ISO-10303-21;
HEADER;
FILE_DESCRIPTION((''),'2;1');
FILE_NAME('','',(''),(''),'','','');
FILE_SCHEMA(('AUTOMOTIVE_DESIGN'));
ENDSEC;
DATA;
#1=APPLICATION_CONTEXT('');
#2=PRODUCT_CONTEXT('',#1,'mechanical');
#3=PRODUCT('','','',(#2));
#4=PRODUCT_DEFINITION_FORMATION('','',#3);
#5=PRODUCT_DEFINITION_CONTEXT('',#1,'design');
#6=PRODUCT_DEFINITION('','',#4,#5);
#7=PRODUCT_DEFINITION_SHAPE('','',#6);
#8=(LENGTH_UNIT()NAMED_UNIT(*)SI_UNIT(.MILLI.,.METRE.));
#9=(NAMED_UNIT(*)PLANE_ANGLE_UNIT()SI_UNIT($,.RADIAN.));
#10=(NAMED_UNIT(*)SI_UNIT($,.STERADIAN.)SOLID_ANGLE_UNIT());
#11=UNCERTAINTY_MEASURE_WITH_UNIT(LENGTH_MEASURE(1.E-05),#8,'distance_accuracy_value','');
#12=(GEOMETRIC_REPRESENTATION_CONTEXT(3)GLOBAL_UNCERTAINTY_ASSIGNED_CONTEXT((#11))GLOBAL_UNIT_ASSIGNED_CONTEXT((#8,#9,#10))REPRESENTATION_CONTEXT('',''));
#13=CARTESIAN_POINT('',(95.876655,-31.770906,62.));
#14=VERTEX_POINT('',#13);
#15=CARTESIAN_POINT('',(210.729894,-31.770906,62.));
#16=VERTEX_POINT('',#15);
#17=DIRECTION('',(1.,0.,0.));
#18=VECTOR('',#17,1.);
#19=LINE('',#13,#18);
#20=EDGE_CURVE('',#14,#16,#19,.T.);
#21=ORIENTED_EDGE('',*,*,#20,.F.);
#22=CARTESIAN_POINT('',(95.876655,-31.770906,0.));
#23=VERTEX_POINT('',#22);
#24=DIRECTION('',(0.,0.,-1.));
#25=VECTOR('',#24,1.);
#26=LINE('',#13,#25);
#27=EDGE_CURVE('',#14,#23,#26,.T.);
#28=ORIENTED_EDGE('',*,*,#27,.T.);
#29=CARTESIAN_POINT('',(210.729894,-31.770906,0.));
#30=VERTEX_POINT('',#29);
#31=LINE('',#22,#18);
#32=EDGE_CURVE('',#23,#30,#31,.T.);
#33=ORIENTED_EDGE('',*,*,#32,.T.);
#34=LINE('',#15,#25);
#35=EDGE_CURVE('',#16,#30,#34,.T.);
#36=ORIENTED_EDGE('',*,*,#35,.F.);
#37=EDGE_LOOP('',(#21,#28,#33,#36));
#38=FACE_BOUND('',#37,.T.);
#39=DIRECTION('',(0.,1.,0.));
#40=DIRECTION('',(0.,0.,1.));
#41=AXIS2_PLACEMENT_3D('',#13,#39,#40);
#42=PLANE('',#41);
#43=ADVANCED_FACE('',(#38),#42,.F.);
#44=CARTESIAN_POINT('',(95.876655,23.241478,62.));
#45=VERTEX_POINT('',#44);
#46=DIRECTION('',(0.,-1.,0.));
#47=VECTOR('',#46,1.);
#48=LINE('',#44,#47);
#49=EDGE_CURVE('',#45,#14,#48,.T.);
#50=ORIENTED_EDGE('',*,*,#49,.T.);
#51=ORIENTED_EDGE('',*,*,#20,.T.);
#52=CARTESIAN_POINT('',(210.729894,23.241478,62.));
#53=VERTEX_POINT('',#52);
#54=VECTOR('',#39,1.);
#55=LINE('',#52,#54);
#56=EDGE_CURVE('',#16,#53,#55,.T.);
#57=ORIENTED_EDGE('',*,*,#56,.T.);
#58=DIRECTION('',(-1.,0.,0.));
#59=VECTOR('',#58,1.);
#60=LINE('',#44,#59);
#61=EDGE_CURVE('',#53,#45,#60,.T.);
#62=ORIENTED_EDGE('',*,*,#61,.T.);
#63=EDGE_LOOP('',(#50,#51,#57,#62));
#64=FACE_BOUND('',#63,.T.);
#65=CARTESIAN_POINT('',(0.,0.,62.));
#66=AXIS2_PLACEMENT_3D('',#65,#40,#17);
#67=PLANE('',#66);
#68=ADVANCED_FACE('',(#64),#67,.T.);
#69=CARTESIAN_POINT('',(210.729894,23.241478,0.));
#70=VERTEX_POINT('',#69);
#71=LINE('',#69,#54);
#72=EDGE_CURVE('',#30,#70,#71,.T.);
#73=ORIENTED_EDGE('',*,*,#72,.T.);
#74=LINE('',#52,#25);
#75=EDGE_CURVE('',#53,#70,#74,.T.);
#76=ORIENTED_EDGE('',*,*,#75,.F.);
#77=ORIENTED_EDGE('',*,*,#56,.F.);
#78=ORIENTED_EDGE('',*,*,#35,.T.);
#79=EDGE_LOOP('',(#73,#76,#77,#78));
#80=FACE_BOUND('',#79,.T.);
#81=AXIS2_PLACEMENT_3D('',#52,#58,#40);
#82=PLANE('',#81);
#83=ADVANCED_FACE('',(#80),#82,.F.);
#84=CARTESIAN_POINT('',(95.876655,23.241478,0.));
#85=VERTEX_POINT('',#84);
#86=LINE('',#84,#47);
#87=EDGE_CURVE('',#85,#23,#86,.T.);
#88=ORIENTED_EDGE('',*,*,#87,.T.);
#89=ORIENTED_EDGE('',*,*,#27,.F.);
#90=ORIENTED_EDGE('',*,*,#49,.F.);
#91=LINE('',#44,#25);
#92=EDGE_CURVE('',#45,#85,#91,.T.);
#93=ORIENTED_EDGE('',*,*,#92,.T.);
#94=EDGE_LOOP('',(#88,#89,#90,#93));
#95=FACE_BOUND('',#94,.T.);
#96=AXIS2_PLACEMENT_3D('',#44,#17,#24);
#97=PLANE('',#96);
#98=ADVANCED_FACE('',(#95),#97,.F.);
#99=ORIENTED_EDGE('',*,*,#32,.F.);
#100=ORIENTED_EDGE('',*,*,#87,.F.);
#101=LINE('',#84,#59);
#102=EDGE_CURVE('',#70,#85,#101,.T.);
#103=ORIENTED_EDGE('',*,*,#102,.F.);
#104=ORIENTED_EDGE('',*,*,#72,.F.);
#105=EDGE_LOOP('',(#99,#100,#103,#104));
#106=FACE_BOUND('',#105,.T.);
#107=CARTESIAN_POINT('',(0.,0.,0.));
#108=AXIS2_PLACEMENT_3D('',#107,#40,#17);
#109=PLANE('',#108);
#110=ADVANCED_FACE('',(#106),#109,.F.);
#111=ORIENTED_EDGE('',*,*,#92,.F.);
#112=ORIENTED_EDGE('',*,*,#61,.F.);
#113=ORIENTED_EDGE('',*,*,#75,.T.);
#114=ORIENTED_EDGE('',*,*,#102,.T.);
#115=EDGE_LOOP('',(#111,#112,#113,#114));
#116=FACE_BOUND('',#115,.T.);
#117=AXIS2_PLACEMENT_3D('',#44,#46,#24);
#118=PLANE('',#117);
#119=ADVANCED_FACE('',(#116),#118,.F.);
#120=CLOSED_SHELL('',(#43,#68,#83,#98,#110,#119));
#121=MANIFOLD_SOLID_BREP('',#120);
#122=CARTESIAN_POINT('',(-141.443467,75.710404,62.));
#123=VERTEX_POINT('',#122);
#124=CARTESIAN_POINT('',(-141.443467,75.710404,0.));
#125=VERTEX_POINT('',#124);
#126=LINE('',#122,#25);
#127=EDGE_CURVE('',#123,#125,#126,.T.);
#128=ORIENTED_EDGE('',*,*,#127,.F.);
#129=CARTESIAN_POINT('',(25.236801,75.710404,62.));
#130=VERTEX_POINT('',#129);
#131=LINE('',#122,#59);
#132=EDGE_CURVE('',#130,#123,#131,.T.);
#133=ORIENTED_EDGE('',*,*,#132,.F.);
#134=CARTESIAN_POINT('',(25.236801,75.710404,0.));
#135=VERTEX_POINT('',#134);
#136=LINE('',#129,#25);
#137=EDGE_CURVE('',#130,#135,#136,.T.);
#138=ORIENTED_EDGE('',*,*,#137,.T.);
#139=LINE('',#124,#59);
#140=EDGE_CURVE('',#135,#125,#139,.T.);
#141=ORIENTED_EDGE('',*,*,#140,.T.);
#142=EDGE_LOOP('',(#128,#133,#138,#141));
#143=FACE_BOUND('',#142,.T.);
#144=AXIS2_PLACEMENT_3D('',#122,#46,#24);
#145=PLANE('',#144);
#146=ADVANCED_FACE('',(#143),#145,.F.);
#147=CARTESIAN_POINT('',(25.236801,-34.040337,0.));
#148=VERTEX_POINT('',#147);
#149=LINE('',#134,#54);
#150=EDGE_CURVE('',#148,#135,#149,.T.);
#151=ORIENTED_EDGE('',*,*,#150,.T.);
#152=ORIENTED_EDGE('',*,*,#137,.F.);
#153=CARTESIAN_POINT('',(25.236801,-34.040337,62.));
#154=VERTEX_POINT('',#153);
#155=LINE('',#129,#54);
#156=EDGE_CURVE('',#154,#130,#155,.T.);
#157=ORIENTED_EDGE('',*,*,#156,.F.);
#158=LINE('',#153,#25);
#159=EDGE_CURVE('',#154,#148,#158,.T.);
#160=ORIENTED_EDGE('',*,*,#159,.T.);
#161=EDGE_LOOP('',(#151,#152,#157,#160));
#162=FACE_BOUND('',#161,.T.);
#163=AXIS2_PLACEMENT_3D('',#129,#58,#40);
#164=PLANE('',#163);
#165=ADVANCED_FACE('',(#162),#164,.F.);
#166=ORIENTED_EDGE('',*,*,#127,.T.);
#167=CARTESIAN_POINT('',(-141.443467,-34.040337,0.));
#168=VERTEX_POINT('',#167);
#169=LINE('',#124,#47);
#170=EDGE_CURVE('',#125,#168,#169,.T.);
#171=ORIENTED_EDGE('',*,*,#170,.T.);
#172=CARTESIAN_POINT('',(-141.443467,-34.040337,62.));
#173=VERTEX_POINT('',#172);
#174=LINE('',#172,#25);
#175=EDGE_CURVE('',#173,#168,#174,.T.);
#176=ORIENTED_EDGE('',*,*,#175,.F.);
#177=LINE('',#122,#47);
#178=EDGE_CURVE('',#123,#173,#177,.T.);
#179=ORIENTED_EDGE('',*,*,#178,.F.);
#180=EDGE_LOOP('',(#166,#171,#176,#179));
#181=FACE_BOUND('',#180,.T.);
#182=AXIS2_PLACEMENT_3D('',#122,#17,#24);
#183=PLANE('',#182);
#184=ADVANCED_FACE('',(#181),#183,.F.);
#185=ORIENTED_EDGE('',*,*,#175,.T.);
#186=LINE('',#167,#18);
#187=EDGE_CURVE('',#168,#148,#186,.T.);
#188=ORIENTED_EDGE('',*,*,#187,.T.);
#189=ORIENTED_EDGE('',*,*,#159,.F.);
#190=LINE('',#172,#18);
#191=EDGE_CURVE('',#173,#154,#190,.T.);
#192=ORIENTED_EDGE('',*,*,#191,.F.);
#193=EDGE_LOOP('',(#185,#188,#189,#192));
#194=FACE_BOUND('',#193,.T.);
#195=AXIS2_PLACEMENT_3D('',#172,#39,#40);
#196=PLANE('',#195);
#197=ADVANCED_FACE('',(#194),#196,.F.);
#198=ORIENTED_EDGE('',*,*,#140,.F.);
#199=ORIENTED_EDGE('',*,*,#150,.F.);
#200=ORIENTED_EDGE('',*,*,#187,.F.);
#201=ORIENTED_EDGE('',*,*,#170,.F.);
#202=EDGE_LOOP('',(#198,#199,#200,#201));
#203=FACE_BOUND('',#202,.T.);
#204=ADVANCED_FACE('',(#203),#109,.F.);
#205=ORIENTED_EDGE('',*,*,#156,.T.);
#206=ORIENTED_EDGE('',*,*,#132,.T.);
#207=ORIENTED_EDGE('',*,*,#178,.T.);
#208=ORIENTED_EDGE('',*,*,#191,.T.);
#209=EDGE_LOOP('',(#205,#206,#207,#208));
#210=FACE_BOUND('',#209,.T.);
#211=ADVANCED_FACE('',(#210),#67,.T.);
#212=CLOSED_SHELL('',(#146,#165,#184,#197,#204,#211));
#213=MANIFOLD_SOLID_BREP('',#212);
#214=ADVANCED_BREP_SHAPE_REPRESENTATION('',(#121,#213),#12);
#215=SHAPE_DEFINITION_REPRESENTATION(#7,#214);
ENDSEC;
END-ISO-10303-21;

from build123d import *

# Parameters (mm, degrees)
SKETCH_1_W      = 166.680268691
SKETCH_1_H      = 109.7507403
EXTRUDE_1_DEPTH = 62
SKETCH_2_W      = 114.853238835
SKETCH_2_H      = 55.012384129
EXTRUDE_2_DEPTH = 62


with BuildPart() as part:
    # 草图1 → 凸台-拉伸1 (new body)
    with BuildSketch(Plane.XY):
        with Locations((-58.1033331, 20.835033586)):
            Rectangle(SKETCH_1_W, SKETCH_1_H)
    extrude(amount=EXTRUDE_1_DEPTH)


with BuildPart() as body_2:
    # 草图2 → 凸台-拉伸2 (new body)
    with BuildSketch(Plane.XY):
        with Locations((153.303274428, -4.264713597)):
            Rectangle(SKETCH_2_W, SKETCH_2_H)
    extrude(amount=EXTRUDE_2_DEPTH)


solid = Compound([part.part, body_2.part])
